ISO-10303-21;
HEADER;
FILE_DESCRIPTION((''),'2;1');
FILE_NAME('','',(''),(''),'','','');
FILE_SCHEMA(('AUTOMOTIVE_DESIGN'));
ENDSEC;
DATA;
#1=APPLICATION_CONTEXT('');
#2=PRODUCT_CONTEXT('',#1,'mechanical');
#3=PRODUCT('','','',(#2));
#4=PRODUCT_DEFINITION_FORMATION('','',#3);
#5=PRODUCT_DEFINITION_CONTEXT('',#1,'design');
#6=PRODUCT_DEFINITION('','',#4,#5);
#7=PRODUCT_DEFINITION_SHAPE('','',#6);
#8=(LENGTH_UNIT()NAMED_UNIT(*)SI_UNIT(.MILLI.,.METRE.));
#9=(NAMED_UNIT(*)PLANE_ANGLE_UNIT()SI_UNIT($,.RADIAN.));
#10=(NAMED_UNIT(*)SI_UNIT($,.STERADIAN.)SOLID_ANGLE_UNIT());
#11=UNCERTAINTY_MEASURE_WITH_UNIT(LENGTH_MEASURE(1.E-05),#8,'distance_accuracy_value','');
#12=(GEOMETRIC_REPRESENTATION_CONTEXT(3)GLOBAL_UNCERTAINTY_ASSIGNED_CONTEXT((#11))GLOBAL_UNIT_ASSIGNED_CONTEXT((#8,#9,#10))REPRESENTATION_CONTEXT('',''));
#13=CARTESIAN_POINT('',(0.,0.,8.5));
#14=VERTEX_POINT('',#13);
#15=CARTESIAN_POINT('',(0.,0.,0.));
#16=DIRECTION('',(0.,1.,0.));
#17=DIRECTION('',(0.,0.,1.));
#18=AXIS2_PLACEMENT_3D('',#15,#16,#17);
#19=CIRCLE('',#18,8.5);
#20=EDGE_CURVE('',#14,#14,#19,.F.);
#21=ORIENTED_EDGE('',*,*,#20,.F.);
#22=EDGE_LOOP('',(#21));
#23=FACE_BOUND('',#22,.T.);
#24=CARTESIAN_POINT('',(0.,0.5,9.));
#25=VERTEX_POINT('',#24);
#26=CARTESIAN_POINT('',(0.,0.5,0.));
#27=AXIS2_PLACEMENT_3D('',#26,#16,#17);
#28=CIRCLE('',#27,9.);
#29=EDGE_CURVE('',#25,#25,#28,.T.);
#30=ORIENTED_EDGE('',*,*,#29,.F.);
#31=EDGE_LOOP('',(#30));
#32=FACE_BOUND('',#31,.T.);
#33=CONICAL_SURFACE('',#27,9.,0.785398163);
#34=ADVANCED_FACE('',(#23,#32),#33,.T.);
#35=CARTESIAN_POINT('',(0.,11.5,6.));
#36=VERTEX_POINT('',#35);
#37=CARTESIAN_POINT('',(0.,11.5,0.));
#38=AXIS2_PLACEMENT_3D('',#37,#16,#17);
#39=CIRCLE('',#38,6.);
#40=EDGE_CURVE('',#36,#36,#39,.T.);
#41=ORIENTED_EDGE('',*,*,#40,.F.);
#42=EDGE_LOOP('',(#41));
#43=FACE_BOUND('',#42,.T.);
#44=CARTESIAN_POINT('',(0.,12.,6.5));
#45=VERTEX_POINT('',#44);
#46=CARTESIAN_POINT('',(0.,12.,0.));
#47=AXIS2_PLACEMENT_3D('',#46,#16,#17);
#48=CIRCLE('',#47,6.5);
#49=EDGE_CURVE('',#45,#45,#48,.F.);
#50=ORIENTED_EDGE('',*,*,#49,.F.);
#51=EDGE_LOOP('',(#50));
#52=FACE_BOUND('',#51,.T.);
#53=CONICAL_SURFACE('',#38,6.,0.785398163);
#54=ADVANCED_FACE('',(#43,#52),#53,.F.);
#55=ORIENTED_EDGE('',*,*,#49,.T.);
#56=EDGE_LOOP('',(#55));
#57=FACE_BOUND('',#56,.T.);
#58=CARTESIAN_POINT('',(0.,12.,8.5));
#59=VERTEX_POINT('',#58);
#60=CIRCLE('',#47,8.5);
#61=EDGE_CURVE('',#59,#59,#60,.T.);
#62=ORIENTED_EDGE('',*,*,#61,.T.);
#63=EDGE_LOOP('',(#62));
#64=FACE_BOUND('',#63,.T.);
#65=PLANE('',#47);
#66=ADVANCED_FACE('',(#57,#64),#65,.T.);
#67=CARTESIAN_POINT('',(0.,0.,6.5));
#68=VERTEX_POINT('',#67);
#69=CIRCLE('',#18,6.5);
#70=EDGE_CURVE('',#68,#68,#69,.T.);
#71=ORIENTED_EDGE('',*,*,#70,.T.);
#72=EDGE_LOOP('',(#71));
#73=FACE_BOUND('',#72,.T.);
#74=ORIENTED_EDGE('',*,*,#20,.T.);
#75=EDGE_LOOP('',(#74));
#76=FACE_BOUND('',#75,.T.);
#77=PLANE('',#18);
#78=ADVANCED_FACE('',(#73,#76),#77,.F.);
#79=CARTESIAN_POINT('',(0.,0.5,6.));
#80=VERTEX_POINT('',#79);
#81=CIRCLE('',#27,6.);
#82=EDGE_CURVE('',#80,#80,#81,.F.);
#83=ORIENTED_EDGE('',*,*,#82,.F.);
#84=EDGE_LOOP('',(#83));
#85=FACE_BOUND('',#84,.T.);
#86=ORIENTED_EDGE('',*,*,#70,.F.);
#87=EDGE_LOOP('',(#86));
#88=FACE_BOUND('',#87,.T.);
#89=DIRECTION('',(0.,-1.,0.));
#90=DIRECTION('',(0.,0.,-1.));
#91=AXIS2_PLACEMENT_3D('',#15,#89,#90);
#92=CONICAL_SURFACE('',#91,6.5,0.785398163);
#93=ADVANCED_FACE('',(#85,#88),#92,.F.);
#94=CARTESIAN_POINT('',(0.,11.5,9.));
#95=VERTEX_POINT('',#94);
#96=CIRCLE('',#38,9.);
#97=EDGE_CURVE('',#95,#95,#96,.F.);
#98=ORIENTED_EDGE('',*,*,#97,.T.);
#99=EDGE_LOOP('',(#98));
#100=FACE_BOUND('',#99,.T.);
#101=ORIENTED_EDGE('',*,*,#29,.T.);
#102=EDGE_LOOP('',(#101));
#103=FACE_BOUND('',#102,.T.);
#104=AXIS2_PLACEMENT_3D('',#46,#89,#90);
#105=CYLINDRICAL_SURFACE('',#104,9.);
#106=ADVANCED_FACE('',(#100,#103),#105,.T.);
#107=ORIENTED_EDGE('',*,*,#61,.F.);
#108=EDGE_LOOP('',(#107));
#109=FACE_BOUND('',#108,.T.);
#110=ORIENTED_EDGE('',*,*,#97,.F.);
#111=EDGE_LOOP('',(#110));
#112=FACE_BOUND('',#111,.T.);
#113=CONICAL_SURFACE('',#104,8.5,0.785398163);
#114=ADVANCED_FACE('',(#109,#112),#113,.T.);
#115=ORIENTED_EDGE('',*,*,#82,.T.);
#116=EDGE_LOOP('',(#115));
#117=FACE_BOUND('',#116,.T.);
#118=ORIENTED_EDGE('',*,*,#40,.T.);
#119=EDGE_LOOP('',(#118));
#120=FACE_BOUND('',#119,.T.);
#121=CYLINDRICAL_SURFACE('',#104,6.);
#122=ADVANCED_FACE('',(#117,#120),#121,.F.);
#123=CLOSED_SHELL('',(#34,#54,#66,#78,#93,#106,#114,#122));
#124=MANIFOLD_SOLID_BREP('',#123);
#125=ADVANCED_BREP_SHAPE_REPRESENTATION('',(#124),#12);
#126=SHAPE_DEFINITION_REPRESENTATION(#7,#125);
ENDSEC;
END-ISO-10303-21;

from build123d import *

# Parameters (mm, degrees)
ESQUISSE1_R        = 9
ESQUISSE1_R_2      = 6
BOSS_EXTRU_1_DEPTH = 12
CHANFREIN1_SIZE    = 0.5


with BuildPart() as part:
    # Esquisse1 → Boss.-Extru.1 (new body)
    with BuildSketch(Plane(origin=(0, 0, 0), x_dir=(1, 0, 0), z_dir=(0, 1, 0))):
        with Locations(Location((0, 0, 0), (0, 0, 270))):  # turned: the seam where the file's is
            Circle(ESQUISSE1_R)
        with Locations(Location((0, 0, 0), (0, 0, 270))):  # turned: the seam where the file's is
            Circle(ESQUISSE1_R_2, mode=Mode.SUBTRACT)
    extrude(amount=BOSS_EXTRU_1_DEPTH)

    # Chanfrein1
    chanfrein1_edges = [part.edges().sort_by_distance(p)[0] for p in [
        (0, 0, -9),
        (0, 12, -9),
        (0, 0, -6),
        (0, 12, -6),
    ]]
    chamfer(chanfrein1_edges, length=CHANFREIN1_SIZE)


solid = part.part
